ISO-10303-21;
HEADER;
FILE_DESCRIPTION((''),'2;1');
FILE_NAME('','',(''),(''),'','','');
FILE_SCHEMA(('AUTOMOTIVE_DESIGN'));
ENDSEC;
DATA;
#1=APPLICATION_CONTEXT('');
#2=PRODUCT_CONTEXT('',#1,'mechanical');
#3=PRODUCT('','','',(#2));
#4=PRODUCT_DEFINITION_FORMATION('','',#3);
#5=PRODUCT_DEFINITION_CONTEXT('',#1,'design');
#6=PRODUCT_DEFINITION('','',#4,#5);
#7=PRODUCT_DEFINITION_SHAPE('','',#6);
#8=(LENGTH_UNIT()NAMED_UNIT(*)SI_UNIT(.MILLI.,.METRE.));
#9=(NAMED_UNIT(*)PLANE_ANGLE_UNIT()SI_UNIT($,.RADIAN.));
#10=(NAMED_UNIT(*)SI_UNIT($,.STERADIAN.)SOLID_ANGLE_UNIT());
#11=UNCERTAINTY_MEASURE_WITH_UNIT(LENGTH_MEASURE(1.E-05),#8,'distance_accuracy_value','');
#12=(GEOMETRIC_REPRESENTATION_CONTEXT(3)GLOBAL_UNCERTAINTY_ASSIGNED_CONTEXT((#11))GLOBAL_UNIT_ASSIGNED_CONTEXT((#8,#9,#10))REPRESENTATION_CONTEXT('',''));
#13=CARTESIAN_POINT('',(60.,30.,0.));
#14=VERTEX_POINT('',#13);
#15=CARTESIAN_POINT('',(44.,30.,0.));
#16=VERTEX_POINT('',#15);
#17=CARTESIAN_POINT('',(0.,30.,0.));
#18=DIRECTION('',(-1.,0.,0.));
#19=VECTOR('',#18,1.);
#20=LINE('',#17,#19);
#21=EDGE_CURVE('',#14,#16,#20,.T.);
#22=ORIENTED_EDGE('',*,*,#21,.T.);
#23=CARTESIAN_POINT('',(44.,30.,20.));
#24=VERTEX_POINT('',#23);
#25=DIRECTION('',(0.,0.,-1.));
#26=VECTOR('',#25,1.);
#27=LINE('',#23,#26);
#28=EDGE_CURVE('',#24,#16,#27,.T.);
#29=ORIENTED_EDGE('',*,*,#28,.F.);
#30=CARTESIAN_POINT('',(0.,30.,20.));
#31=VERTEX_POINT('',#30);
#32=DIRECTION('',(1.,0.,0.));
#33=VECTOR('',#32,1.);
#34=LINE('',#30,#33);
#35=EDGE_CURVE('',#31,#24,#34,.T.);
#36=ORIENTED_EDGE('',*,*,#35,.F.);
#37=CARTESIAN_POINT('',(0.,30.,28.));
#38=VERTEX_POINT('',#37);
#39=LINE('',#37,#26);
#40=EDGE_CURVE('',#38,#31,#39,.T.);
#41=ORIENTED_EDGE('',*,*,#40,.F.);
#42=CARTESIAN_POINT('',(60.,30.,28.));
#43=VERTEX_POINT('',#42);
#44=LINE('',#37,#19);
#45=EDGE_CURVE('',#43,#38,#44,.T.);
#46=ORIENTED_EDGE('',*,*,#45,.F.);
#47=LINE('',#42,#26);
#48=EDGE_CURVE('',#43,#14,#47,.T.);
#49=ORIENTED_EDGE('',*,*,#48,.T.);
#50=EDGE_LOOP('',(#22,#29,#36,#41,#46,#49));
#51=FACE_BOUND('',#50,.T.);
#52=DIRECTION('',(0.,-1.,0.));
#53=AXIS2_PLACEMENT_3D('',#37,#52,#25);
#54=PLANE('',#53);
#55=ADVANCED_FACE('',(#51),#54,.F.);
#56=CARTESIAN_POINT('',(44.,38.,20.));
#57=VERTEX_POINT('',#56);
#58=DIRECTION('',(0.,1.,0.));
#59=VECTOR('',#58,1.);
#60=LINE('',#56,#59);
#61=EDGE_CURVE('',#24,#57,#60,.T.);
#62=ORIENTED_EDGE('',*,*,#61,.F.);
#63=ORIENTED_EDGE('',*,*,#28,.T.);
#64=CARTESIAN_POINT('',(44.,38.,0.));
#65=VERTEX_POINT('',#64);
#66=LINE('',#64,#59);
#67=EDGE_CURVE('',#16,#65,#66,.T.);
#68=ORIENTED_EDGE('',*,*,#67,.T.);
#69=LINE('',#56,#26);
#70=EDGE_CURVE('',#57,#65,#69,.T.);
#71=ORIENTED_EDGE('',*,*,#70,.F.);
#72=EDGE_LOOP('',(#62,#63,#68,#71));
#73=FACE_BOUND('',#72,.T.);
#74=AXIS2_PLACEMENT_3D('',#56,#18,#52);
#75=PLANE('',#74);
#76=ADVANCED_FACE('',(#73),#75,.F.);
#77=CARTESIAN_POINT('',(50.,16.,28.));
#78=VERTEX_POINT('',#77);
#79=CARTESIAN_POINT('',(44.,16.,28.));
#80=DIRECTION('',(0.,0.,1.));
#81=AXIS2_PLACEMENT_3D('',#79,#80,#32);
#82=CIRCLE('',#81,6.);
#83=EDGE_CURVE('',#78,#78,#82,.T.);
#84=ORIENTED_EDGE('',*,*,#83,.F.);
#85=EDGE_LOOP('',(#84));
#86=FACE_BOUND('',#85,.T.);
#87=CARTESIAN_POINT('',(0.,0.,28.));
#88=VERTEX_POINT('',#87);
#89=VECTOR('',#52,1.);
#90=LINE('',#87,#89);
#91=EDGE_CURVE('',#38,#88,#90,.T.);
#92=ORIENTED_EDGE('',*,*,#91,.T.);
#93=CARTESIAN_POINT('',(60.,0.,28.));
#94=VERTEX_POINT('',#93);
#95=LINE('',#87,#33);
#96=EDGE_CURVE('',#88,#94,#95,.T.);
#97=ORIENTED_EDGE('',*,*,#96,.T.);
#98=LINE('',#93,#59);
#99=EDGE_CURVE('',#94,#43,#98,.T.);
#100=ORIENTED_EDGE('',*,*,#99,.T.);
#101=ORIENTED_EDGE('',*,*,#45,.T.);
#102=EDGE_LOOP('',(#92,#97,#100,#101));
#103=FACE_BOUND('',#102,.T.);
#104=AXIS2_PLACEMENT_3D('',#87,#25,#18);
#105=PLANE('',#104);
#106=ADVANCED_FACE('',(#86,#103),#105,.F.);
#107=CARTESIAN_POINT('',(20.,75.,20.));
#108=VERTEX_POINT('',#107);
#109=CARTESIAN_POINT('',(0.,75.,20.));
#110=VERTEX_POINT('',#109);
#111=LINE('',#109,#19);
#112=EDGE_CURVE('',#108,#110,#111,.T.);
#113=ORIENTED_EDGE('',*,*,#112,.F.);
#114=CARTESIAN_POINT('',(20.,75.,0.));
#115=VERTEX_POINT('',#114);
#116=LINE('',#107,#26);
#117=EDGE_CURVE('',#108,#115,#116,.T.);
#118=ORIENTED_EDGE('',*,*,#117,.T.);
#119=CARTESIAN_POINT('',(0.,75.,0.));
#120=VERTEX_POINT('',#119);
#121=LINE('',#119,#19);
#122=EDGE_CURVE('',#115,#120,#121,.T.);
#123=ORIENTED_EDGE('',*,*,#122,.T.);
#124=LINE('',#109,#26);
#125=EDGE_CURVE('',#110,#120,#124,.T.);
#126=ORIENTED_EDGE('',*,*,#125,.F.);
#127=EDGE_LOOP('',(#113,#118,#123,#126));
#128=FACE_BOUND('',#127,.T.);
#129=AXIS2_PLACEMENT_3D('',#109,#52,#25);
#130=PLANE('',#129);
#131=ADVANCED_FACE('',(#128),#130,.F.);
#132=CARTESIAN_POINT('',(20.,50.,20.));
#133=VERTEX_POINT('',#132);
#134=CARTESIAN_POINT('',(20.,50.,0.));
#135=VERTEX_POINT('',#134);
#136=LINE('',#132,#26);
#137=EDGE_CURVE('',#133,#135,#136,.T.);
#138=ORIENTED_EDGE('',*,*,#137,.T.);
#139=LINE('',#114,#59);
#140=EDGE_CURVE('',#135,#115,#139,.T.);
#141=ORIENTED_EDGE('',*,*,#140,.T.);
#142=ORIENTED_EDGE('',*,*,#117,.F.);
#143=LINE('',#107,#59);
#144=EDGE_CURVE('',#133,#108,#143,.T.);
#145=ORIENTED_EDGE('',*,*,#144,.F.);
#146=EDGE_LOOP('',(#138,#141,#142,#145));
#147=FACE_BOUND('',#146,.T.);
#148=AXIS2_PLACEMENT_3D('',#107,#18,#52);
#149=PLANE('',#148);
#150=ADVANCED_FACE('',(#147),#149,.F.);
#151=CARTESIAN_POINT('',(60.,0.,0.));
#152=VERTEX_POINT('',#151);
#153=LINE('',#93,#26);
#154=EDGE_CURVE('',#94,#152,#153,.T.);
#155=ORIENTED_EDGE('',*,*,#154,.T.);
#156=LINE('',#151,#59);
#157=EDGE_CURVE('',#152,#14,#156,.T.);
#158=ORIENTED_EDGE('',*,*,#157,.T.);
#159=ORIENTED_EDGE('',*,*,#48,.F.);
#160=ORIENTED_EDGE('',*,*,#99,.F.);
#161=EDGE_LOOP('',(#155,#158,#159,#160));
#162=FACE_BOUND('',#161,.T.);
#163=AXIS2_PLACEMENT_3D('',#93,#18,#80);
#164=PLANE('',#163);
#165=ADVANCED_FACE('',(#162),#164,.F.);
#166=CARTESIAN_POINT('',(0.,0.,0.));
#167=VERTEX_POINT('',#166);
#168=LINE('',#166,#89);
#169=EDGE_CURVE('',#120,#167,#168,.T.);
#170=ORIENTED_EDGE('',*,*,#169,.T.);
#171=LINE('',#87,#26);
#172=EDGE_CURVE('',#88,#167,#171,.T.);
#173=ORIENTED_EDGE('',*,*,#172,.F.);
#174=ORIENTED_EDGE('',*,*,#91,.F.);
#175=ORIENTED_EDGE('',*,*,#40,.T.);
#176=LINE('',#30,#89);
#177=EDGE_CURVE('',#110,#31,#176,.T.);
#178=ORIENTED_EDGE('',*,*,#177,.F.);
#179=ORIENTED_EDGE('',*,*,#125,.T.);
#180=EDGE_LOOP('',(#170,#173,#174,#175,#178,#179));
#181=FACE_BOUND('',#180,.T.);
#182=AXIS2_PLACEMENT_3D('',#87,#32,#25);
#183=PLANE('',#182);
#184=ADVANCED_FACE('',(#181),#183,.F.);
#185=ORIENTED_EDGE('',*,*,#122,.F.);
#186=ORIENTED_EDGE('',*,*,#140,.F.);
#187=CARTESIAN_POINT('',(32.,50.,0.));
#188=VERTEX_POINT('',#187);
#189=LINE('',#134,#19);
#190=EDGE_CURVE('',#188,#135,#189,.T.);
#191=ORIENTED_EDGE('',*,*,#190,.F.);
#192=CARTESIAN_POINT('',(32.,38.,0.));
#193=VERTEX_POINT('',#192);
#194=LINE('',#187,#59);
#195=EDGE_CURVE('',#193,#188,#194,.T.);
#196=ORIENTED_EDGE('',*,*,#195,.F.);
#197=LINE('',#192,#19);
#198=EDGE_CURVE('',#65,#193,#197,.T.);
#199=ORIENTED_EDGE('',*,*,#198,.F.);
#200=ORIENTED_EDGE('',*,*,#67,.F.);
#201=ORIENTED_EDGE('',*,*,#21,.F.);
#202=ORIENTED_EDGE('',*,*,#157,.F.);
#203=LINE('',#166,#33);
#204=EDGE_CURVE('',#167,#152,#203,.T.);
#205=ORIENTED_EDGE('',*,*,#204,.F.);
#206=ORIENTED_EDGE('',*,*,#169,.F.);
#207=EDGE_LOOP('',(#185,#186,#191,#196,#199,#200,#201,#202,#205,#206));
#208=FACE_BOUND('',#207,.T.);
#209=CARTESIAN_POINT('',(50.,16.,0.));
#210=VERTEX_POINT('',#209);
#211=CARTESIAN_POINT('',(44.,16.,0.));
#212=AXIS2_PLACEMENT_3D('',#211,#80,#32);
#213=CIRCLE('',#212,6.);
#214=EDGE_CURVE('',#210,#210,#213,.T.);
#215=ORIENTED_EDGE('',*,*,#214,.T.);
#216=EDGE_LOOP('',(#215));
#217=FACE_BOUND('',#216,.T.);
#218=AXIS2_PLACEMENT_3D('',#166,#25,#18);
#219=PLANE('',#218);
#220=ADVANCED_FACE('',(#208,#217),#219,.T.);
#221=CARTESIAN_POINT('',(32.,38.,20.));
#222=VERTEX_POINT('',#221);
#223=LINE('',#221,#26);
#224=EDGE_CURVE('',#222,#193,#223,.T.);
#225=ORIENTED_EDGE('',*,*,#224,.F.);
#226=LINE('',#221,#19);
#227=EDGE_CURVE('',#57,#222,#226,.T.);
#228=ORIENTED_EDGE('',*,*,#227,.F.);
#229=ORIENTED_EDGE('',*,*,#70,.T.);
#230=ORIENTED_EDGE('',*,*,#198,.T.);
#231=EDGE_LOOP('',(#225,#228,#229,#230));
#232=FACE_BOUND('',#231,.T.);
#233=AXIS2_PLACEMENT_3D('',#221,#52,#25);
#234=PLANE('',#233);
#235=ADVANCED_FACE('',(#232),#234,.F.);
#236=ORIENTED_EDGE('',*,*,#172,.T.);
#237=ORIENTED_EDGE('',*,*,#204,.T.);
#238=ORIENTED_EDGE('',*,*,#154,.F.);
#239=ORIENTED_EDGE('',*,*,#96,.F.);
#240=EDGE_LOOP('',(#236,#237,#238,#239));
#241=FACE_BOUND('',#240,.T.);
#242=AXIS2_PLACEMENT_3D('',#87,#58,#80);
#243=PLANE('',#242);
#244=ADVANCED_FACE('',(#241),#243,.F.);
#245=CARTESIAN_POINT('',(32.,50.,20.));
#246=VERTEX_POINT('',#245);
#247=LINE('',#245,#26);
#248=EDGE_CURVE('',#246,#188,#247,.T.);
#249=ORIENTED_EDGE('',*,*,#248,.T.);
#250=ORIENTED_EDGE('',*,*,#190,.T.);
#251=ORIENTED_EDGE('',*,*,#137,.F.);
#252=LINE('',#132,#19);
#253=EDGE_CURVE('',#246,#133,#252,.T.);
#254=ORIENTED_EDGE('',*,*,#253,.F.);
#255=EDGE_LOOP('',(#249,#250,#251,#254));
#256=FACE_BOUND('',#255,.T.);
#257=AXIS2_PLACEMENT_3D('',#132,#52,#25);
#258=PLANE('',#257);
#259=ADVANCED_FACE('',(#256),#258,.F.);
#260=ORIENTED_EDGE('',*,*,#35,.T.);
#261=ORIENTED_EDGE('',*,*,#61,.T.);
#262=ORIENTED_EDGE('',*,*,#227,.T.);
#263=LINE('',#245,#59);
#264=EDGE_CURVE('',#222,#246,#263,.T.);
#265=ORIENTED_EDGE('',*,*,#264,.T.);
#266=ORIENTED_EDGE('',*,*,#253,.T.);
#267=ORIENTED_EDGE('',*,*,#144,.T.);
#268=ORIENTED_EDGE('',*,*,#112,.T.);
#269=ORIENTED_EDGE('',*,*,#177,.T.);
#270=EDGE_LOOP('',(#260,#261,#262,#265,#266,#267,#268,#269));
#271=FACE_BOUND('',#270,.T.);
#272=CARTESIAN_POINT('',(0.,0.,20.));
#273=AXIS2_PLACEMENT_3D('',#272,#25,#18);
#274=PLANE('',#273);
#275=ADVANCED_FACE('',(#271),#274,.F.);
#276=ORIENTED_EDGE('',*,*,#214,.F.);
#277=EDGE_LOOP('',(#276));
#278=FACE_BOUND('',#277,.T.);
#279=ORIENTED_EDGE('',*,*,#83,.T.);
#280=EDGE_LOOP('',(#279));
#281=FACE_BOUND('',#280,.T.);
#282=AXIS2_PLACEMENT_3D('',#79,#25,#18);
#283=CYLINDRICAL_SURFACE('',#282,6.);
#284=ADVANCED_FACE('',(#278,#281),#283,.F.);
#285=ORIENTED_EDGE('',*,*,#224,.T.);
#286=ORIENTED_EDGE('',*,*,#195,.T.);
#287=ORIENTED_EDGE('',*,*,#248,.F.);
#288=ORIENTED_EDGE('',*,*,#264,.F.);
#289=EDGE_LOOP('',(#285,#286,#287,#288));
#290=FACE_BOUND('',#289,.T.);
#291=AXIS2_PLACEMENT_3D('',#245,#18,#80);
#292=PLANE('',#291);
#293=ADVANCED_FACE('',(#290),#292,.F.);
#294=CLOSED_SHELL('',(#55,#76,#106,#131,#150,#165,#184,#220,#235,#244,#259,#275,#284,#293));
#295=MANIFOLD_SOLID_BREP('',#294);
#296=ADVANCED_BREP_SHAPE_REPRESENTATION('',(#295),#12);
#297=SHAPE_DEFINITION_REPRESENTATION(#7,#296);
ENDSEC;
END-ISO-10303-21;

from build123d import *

# Parameters (mm, degrees)
SKETCH1_W           = 60
SKETCH1_H           = 30
SKETCH1_R           = 6
BOSS_EXTRUDE1_DEPTH = 28
BOSS_EXTRUDE2_DEPTH = 20


with BuildPart() as part:
    # Sketch1 → Boss-Extrude1 (new body)
    with BuildSketch(Plane.XY):
        with Locations((30, 15)):
            Rectangle(SKETCH1_W, SKETCH1_H)
        with Locations((44, 16)):
            Circle(SKETCH1_R, mode=Mode.SUBTRACT)
    extrude(amount=BOSS_EXTRUDE1_DEPTH)

    # Sketch3 → Boss-Extrude2 (add)
    with BuildSketch(Plane.XY):
        Polygon((0, 30), (0, 75), (20, 75), (20, 50), (32, 50), (32, 38), (44, 38), (44, 30), align=None)
    extrude(amount=BOSS_EXTRUDE2_DEPTH)


solid = part.part
